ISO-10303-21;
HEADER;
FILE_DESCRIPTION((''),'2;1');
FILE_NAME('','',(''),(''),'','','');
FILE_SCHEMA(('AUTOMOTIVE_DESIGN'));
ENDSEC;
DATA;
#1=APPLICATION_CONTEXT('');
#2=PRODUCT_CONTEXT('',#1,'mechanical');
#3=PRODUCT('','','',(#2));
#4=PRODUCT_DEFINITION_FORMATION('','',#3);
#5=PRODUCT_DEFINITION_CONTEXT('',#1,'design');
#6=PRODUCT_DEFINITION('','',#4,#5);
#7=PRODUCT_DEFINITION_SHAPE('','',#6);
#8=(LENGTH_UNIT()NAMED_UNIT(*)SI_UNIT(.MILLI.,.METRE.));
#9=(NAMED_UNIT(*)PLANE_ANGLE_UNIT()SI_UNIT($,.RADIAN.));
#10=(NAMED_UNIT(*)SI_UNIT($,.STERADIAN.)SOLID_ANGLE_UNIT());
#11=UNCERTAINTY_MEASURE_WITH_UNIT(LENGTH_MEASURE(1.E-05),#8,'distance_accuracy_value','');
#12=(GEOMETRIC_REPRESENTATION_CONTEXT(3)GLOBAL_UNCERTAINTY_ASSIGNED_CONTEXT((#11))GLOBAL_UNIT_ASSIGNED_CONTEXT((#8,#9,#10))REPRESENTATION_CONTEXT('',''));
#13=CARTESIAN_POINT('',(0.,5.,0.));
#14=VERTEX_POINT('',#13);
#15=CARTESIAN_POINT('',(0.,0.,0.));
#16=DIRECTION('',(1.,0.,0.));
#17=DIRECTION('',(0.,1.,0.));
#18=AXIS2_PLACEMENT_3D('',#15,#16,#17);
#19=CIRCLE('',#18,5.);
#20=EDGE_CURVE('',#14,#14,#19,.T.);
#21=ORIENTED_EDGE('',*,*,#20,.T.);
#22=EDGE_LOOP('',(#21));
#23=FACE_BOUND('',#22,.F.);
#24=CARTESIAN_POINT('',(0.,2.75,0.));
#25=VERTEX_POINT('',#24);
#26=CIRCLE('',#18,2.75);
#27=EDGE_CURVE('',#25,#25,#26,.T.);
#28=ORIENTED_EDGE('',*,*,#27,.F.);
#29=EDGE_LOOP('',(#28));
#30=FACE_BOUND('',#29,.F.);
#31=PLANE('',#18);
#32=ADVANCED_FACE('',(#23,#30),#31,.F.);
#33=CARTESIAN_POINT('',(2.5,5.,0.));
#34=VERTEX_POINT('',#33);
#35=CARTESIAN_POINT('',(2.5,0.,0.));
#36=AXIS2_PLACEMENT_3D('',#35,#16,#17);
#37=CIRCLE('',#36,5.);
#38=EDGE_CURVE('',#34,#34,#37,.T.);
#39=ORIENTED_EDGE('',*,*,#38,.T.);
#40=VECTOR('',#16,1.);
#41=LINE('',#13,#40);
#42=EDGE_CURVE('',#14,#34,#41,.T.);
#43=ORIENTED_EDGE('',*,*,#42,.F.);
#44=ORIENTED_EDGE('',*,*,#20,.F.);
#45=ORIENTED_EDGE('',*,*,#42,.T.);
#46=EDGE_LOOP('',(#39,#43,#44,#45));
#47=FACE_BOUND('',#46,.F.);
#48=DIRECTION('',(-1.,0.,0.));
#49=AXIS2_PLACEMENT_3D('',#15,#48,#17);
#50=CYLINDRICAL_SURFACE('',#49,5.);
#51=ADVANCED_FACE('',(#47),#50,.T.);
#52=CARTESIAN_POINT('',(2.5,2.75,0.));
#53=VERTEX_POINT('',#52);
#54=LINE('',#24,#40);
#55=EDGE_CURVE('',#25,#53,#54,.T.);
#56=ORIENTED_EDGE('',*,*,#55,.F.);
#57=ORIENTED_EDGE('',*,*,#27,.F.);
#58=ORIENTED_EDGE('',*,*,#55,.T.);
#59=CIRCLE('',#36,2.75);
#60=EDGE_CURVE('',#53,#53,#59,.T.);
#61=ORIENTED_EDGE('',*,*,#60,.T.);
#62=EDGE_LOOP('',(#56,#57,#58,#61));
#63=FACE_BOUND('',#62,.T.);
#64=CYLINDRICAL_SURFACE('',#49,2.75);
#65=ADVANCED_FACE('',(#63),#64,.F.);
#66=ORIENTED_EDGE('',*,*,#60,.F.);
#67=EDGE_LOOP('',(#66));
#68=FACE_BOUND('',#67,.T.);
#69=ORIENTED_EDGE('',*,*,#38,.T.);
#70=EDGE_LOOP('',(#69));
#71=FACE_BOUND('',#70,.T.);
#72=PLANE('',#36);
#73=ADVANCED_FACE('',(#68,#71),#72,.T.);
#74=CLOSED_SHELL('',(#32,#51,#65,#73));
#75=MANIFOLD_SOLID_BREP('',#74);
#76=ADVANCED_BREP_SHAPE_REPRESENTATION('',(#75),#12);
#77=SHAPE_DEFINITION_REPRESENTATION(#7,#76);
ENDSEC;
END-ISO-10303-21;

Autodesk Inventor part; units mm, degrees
ref_plane "YZ Plane" through (0, 0, 0) normal (1, 0, 0) x (0, 1, 0)
ref_plane "XZ Plane" through (0, 0, 0) normal (0, 1, 0) x (-1, 0, 0)
ref_plane "XY Plane" through (0, 0, 0) normal (0, 0, 1) x (1, 0, 0)
sketch "Sketch1" plane through (0, 0, 0) normal (1, 0, 0) x (0, 1, 0)
  circle A0 centre (0, 0) radius 2.75
  circle A1 centre (0, 0) radius 5
  dimension "d0" = 5.5
  dimension "d1" = 10
extrude "Extrusion1" add sketch "Sketch1" along normal blind 2.5
properties part number "Spacer_5mm_3mm"
